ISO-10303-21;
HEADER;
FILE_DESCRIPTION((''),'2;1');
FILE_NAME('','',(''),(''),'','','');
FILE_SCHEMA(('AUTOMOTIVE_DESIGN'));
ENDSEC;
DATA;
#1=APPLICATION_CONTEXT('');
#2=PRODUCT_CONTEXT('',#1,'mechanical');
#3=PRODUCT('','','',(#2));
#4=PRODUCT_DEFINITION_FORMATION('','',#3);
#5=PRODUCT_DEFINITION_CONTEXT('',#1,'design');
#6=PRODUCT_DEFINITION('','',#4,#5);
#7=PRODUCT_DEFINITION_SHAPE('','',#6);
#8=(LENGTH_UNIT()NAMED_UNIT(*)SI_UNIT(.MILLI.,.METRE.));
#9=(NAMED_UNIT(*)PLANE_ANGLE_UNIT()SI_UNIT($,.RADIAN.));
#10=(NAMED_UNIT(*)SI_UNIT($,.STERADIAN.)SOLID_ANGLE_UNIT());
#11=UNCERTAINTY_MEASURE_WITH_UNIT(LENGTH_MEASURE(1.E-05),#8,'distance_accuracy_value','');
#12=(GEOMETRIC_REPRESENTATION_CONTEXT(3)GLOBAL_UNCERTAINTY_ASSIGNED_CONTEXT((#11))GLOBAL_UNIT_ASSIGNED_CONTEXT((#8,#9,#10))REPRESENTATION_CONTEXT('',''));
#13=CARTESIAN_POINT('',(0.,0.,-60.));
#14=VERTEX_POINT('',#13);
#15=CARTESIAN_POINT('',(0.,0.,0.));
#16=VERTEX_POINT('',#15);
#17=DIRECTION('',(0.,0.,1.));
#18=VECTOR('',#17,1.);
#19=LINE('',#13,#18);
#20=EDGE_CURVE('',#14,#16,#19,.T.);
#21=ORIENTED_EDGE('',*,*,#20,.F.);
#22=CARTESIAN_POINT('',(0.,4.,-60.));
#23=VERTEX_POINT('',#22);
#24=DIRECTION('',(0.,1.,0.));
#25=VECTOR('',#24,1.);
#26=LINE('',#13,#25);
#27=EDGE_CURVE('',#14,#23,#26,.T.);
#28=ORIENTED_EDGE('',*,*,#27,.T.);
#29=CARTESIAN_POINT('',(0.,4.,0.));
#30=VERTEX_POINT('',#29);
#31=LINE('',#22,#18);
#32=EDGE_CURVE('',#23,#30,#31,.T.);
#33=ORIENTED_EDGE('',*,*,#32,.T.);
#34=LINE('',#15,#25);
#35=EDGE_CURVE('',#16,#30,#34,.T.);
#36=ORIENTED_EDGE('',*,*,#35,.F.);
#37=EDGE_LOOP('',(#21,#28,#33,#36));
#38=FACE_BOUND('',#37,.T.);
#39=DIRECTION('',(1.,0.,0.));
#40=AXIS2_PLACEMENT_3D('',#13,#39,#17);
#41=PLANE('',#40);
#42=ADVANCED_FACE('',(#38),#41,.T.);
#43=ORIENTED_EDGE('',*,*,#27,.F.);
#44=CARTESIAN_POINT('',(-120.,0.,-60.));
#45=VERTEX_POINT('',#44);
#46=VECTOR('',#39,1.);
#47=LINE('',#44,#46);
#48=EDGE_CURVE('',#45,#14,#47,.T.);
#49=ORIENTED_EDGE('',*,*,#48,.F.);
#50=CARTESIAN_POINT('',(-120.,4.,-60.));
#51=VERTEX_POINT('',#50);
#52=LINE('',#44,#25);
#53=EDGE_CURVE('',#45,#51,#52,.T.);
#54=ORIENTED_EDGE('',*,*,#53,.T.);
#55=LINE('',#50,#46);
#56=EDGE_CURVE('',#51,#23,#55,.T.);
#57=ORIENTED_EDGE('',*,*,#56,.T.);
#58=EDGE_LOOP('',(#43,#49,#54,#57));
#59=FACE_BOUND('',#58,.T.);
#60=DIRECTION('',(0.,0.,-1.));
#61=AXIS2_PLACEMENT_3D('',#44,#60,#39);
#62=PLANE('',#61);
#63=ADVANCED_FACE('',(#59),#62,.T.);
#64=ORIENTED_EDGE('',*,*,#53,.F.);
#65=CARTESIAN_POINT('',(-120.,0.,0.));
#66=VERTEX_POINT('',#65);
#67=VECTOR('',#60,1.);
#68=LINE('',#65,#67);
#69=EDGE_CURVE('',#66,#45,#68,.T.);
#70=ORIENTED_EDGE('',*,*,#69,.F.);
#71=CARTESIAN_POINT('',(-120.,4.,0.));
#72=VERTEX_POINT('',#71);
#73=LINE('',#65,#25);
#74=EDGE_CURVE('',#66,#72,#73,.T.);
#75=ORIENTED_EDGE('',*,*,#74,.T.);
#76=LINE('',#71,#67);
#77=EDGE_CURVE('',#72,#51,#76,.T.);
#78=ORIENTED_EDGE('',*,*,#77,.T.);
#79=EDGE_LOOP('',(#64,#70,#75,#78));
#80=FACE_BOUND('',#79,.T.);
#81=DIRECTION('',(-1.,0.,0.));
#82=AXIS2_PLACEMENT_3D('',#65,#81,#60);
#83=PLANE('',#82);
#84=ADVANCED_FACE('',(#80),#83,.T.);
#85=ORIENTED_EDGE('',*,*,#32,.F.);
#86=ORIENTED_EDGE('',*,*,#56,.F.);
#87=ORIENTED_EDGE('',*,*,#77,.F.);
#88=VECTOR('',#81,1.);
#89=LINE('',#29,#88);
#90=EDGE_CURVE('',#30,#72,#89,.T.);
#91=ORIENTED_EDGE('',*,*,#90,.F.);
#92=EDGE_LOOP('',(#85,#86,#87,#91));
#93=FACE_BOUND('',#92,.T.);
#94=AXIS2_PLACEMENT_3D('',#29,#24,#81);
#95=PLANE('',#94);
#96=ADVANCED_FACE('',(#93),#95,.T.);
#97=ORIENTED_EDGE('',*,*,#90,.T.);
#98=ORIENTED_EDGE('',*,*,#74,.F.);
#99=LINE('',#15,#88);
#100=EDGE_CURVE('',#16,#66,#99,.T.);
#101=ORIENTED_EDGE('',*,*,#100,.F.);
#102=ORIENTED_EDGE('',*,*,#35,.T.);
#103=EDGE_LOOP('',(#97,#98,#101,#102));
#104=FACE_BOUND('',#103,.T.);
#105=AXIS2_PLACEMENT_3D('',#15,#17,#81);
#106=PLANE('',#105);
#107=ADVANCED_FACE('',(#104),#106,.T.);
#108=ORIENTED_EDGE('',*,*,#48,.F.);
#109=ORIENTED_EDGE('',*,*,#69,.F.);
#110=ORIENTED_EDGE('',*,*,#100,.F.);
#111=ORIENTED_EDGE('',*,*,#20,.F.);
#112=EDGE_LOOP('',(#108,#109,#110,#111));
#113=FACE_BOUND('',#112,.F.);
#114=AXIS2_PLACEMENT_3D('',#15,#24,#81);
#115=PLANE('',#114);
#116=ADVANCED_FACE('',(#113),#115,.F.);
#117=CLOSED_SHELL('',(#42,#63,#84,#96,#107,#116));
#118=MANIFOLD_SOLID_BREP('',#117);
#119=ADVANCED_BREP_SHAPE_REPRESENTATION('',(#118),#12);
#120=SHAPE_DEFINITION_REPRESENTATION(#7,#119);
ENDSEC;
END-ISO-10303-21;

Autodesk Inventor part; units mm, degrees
ref_plane "YZ Plane" through (0, 0, 0) normal (1, 0, 0) x (0, 1, 0)
ref_plane "XZ Plane" through (0, 0, 0) normal (0, 1, 0) x (-1, 0, 0)
ref_plane "XY Plane" through (0, 0, 0) normal (0, 0, 1) x (1, 0, 0)
sketch "Boceto1" plane through (0, 0, 0) normal (0, 1, 0) x (-1, 0, 0)
  line L0 (0, 0) -> (120, 0)
  line L1 (120, 0) -> (120, -60)
  line L2 (120, -60) -> (0, -60)
  line L3 (0, -60) -> (0, 0)
  dimension "d0" = 120
  dimension "d1" = 60
extrude "Extrusión1" add sketch "Boceto1" along normal blind 4
properties part number "base_motor"
